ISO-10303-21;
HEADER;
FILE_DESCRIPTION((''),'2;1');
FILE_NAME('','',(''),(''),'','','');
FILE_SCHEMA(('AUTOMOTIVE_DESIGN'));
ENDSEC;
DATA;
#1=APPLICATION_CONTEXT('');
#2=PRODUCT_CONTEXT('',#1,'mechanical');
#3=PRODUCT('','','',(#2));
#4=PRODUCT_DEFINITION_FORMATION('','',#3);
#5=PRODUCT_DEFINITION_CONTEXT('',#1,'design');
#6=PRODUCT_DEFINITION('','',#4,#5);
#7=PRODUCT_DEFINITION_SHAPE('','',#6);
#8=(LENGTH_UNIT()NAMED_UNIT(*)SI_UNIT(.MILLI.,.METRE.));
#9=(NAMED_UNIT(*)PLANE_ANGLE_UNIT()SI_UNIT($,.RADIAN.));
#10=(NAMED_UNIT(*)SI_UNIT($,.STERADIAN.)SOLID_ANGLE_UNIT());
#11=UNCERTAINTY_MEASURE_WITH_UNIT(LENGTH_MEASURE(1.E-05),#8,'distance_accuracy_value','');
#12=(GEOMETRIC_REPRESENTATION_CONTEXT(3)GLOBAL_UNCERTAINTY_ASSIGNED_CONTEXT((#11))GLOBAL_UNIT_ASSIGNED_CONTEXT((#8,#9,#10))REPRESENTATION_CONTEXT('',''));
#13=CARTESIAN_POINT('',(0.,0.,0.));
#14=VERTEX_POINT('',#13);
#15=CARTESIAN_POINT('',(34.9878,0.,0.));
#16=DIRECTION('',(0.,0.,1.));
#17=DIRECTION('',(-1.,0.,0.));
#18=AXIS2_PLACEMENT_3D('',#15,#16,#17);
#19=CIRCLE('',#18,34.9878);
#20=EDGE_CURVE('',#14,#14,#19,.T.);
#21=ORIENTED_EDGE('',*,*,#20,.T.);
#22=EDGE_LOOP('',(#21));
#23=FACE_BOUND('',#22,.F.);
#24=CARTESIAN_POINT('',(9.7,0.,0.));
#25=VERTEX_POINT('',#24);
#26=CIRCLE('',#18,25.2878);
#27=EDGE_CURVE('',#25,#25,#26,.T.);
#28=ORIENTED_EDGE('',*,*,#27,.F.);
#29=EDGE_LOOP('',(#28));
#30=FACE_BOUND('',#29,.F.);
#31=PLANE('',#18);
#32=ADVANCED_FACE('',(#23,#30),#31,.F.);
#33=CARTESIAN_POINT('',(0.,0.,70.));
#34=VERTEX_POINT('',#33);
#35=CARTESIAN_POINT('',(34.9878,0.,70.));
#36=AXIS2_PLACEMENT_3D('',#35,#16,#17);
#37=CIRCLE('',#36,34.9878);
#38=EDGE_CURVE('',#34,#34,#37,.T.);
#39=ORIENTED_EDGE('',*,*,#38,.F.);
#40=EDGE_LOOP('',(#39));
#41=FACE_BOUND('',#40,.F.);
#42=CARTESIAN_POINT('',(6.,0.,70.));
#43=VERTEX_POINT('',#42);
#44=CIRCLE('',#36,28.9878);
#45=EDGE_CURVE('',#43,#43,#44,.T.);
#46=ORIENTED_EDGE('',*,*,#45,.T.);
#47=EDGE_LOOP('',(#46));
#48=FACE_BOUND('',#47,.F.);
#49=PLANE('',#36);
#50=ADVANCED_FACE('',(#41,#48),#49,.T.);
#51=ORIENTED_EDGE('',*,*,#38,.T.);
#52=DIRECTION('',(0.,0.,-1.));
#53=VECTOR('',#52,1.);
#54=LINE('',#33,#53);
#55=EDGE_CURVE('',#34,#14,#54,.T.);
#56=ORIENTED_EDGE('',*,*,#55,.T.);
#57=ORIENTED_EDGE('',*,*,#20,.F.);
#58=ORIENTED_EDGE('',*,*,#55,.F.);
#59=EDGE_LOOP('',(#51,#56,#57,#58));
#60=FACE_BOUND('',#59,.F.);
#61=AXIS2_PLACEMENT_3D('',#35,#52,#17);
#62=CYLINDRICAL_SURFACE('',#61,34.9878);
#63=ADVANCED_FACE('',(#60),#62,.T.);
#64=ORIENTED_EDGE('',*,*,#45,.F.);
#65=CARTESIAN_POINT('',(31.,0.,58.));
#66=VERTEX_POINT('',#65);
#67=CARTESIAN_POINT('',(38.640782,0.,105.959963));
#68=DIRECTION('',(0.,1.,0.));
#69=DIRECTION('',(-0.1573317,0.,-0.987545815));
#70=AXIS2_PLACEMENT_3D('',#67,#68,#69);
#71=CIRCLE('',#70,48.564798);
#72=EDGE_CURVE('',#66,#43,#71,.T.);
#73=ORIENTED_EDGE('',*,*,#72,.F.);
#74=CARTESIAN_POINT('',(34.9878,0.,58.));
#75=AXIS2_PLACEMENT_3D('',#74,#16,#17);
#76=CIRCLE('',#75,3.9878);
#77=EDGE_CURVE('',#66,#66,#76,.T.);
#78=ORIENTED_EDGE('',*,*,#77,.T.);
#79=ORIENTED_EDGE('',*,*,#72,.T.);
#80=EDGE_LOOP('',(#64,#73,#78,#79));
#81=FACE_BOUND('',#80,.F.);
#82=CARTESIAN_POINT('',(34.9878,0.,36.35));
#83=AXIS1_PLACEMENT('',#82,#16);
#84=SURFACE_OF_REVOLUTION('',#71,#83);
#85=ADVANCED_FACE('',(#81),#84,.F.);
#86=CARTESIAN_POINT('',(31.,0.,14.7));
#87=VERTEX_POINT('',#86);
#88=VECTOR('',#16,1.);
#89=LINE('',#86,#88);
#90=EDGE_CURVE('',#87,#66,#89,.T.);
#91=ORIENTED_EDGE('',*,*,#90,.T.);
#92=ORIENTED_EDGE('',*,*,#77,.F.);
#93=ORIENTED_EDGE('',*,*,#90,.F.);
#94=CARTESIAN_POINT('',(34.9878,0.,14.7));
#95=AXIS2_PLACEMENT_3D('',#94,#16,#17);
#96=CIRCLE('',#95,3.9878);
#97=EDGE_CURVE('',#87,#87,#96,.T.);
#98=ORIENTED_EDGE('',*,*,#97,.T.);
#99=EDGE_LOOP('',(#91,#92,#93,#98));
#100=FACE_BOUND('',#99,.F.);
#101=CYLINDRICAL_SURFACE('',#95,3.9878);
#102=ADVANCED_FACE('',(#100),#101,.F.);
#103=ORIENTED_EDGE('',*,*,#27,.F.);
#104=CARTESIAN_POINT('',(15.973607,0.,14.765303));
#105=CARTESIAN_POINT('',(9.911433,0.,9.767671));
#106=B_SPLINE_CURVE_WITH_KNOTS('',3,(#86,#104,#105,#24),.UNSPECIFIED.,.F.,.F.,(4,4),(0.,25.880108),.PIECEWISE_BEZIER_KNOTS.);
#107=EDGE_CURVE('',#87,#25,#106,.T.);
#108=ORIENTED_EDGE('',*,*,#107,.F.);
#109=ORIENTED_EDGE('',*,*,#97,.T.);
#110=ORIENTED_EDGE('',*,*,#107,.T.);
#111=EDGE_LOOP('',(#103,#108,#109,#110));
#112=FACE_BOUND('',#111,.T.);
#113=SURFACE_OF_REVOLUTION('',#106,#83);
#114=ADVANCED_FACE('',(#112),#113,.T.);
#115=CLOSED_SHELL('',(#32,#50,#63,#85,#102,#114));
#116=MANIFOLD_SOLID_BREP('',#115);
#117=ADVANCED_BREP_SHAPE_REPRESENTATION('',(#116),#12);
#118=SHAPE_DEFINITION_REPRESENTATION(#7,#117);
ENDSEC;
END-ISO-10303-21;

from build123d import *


with BuildPart() as f1:
    # F0 (on Front) → F1 (revolve)
    with BuildSketch(Plane.XZ):
        with BuildLine():
            Line((0, 70), (0, 0))
            Line((0, 0), (9.7, 0))
            add(Edge.make_bspline(
                [(31, 14.7), (15.973607, 14.765303), (9.911433, 9.767671), (9.7, 0)],
                knots=[0, 0, 0, 0, 25.880108, 25.880108, 25.880108, 25.880108], degree=3))
            Line((31, 14.7), (31, 58))
            ThreePointArc((31, 58), (17.625285, 62.177678), (6, 70))
            Line((6, 70), (0, 70))
        make_face()
    revolve(axis=Axis((34.9878, 0, 36.35), (0, 0, 1)))


solid = f1.part
